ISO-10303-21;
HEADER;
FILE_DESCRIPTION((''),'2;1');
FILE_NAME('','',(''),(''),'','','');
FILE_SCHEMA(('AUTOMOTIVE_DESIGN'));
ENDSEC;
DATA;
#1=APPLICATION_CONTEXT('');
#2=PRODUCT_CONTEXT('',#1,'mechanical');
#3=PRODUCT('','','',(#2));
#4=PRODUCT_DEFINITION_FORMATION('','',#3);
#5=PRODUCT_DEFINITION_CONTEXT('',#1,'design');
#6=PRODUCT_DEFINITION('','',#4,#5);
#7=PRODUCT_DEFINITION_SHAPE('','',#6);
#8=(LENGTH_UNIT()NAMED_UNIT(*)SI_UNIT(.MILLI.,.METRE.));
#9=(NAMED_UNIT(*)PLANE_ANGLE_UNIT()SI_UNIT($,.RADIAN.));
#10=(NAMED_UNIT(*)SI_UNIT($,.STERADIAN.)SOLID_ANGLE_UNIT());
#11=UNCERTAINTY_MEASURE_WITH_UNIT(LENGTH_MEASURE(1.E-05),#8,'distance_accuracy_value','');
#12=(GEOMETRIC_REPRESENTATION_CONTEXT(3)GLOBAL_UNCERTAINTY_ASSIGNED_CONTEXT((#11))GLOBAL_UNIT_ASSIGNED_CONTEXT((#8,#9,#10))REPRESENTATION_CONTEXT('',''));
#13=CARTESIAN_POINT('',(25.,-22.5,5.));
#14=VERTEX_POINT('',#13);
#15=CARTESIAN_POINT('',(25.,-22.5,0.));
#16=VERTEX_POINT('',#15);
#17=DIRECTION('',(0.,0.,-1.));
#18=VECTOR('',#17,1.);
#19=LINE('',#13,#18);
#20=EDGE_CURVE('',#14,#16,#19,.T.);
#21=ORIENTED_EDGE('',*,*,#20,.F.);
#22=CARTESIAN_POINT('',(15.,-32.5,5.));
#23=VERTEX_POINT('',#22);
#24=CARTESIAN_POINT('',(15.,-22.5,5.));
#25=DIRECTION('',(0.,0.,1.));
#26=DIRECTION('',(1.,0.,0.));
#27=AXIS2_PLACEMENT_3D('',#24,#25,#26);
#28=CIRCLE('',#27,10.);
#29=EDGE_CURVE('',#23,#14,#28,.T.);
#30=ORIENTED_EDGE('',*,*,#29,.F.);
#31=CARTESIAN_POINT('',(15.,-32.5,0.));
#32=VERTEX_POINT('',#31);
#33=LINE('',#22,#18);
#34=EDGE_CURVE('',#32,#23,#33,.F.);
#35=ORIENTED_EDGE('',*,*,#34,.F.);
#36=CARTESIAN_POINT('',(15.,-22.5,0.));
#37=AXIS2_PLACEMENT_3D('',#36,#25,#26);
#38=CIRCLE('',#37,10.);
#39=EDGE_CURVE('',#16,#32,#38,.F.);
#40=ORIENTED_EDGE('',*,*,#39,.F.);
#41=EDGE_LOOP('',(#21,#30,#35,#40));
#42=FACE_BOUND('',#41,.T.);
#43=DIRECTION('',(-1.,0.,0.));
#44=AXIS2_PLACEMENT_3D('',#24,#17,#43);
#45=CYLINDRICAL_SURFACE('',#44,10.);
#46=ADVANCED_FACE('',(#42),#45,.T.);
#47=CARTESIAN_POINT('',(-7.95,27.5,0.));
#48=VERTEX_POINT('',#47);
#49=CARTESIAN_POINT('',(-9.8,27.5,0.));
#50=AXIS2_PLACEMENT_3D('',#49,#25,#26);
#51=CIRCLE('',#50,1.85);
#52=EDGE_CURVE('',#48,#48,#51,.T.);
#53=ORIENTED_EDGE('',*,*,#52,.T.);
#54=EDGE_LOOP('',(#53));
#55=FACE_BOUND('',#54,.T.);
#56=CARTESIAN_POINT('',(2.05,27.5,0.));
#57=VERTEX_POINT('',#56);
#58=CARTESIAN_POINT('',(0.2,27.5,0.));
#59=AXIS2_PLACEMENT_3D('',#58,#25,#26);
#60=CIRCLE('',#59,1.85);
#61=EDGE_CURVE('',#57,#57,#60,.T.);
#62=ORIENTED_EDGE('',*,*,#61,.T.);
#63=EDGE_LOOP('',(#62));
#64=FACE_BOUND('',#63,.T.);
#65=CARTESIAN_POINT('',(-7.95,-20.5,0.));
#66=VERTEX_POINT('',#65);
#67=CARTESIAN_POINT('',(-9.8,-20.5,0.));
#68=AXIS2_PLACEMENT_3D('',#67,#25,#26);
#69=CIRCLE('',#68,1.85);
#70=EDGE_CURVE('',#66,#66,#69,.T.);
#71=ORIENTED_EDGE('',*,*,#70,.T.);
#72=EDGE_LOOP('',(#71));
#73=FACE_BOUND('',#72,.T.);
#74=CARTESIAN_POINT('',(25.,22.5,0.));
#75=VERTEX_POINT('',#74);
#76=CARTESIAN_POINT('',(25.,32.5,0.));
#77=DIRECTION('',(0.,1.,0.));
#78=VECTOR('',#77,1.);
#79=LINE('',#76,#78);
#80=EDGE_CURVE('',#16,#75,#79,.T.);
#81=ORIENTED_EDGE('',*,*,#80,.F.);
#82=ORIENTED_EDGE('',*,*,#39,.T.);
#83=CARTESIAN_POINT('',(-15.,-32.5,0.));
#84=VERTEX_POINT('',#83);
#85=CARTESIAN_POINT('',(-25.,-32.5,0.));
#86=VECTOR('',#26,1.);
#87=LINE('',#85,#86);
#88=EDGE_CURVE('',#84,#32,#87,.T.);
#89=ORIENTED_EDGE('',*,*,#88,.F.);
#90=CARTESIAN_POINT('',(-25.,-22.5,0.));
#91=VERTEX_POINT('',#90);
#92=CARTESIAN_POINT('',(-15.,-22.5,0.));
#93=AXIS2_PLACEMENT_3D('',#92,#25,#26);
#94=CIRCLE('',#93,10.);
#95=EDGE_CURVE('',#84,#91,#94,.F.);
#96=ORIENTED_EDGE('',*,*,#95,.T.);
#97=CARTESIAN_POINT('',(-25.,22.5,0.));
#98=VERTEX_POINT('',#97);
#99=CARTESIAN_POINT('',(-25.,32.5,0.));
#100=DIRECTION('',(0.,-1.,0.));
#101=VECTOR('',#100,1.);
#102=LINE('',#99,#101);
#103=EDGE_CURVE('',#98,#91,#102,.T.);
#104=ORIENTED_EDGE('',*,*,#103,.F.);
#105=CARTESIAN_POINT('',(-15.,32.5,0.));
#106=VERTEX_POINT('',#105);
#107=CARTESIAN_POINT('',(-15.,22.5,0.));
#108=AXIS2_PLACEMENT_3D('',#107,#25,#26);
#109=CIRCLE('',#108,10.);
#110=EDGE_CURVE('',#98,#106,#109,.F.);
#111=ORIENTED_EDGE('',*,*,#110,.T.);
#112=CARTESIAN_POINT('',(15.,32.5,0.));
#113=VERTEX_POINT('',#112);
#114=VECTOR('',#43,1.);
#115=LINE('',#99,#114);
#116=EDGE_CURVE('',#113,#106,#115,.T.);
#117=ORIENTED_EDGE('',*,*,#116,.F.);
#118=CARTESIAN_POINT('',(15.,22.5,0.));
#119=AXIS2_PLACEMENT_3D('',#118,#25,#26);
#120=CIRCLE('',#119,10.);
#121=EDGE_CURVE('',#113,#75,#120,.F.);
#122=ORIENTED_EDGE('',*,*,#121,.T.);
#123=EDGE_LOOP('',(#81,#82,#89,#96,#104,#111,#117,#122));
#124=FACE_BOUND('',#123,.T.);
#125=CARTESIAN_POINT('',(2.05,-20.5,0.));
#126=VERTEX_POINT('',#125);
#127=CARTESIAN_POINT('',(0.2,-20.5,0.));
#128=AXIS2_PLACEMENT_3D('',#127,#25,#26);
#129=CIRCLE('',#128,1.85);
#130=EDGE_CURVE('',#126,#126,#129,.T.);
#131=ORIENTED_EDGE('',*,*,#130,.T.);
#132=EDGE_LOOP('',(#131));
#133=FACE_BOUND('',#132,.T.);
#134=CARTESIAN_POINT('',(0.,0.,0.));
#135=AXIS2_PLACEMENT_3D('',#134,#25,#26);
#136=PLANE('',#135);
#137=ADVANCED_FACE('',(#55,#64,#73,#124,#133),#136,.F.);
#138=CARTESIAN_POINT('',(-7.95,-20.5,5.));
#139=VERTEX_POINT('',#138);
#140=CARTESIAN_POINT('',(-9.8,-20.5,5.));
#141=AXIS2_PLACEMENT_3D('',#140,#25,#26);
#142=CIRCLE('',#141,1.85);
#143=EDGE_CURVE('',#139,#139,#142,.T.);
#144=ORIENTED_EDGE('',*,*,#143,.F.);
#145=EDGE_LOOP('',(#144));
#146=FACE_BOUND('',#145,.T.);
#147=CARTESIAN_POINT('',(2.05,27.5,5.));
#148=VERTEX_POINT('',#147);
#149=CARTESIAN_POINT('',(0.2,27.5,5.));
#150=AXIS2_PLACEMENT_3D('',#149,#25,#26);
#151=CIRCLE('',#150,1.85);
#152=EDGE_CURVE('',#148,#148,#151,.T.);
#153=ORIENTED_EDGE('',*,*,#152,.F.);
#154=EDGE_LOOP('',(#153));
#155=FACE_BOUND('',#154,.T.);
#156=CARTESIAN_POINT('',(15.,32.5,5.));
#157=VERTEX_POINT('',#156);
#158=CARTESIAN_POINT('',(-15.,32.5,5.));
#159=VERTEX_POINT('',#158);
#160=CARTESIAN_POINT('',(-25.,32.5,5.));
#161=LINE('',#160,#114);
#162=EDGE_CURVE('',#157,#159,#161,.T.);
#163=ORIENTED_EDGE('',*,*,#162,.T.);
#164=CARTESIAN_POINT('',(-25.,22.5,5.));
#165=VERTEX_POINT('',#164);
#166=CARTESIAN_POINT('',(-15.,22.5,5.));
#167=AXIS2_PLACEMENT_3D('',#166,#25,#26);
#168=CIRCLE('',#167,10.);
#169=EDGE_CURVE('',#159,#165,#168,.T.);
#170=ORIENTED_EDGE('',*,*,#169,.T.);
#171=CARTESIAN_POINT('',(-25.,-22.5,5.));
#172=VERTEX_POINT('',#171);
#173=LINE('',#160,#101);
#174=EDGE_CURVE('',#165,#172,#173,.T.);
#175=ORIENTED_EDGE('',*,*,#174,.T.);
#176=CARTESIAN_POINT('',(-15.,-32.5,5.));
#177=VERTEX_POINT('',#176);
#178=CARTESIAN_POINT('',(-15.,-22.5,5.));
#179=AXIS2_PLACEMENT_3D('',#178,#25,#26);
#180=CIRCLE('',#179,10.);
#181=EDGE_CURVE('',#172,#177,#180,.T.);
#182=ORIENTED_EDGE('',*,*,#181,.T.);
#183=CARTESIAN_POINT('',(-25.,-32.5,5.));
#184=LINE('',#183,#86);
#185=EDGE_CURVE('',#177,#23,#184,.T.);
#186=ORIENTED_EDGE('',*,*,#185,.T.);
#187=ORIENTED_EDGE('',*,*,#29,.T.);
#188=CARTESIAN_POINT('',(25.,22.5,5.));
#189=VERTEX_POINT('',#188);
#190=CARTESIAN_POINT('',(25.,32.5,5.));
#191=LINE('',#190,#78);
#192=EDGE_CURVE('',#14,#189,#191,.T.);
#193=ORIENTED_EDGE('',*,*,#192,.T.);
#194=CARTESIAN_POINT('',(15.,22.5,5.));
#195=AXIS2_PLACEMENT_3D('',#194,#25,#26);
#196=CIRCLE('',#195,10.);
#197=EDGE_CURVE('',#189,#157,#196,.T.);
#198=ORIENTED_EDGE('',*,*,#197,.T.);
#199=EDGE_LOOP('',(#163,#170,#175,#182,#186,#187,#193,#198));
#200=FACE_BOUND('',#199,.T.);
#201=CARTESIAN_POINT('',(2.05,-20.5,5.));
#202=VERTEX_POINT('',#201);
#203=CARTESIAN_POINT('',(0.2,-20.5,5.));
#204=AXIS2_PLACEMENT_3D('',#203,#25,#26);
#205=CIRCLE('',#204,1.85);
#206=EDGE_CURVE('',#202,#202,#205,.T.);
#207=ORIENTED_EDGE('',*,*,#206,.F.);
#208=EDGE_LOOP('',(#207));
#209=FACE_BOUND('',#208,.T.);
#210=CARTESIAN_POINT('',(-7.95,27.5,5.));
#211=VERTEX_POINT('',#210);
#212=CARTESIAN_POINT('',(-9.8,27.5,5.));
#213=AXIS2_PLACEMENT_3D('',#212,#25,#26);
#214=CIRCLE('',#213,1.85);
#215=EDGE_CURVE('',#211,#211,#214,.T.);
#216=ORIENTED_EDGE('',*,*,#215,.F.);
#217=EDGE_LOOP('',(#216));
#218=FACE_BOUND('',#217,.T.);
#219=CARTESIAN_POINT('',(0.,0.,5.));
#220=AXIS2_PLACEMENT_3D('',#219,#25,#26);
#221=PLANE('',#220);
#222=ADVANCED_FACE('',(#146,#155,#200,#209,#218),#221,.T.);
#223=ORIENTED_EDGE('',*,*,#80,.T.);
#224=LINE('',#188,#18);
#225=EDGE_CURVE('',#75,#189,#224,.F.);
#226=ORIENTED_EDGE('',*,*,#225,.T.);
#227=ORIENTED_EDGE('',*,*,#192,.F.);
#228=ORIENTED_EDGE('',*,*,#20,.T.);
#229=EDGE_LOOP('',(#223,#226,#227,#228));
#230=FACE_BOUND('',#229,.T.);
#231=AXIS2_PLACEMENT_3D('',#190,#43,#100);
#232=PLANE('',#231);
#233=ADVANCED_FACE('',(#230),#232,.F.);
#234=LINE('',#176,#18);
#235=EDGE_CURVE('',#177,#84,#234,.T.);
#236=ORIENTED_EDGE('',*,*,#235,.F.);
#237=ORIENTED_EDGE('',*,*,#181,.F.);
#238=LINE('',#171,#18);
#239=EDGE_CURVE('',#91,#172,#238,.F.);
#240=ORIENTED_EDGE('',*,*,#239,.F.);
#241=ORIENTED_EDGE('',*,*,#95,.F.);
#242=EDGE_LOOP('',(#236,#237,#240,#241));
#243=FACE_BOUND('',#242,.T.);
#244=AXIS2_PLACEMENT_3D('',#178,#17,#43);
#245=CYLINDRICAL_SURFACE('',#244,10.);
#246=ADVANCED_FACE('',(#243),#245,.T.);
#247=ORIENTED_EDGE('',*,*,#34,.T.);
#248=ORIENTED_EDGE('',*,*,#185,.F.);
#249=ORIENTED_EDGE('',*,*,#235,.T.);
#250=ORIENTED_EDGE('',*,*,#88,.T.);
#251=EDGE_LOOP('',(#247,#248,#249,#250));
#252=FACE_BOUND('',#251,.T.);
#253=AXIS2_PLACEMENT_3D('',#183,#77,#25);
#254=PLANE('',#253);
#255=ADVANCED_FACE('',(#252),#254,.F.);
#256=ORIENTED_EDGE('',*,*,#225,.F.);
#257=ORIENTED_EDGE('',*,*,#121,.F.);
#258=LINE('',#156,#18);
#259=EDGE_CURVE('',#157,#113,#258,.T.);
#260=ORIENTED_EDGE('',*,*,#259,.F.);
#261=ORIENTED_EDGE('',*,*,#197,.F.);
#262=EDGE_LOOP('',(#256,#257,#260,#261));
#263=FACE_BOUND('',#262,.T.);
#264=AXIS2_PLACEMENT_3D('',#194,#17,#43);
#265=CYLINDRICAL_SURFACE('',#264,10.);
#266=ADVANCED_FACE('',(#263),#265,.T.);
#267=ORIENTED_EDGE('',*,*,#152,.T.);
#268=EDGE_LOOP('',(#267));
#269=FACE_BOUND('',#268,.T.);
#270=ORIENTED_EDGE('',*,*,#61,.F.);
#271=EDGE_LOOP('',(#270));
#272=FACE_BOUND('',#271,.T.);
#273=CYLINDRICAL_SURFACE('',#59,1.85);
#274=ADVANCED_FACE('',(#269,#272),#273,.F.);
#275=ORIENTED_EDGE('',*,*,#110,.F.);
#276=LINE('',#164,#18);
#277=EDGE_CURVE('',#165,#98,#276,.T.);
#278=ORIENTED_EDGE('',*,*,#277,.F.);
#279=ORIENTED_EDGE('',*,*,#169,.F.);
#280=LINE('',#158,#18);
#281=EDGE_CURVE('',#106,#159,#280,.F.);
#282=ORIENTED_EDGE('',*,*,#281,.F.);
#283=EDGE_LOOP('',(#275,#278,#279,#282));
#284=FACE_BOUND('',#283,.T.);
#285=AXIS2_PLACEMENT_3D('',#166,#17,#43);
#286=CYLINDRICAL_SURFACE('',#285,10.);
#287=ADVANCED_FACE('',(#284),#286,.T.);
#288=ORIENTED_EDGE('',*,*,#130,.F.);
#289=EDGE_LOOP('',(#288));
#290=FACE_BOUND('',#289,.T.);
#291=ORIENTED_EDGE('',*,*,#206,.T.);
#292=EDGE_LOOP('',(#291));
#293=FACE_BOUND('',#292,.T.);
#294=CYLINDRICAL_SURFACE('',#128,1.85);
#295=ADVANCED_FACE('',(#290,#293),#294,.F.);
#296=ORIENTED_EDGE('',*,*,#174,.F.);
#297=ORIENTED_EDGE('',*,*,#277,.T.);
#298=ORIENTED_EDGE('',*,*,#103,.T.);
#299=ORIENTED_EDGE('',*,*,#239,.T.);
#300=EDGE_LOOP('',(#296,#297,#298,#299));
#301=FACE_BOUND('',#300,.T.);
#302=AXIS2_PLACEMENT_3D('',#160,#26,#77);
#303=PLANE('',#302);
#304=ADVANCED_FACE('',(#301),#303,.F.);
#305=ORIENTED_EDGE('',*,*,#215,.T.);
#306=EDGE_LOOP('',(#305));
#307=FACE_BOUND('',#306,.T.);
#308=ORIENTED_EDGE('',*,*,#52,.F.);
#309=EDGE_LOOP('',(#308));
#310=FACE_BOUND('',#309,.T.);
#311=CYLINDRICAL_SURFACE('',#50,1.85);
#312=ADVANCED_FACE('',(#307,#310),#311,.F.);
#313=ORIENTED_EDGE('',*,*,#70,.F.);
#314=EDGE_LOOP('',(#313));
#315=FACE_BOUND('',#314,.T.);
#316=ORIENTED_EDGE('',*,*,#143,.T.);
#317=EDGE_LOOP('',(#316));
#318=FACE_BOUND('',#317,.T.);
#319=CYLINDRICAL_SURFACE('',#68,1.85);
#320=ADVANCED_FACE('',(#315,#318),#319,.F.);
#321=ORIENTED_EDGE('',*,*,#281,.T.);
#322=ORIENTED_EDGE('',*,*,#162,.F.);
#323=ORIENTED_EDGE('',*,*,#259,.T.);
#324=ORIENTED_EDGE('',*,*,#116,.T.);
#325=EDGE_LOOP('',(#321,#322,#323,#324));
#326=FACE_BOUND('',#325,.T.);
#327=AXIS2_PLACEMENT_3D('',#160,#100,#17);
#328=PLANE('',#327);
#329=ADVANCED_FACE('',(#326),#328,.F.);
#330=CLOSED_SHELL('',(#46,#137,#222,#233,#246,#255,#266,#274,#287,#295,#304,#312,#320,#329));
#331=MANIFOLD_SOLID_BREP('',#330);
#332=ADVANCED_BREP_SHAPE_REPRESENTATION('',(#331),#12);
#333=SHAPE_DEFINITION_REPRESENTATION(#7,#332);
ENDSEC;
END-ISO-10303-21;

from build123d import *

# Parameters (mm, degrees)
ESQUISSE1_W             = 50
ESQUISSE1_H             = 65
BOSS_EXTRU_1_DEPTH      = 5
ESQUISSE2_R             = 1.85
ENL_V_MAT_EXTRU_1_DEPTH = 42.306779105
CONG_1_R                = 10


with BuildPart() as part:
    # Esquisse1 → Boss.-Extru.1 (new body)
    with BuildSketch(Plane.XY):
        Rectangle(ESQUISSE1_W, ESQUISSE1_H)
    extrude(amount=BOSS_EXTRU_1_DEPTH)

    # Esquisse2 → Enlèv. mat.-Extru.1 (cut, through all)
    with BuildSketch(Plane.XY.offset(5)):
        with Locations((-9.8, -20.5)):
            Circle(ESQUISSE2_R)
        with Locations((0.2, -20.5)):
            Circle(ESQUISSE2_R)
        with Locations((-9.8, 27.5)):
            Circle(ESQUISSE2_R)
        with Locations((0.2, 27.5)):
            Circle(ESQUISSE2_R)
    extrude(amount=-ENL_V_MAT_EXTRU_1_DEPTH, mode=Mode.SUBTRACT)

    # Congé1
    cong_1_edges = [part.edges().sort_by_distance(p)[0] for p in [
        (25, -32.5, 2.5),
        (-25, -32.5, 2.5),
        (-25, 32.5, 2.5),
        (25, 32.5, 2.5),
    ]]
    fillet(cong_1_edges, radius=CONG_1_R)


solid = part.part
